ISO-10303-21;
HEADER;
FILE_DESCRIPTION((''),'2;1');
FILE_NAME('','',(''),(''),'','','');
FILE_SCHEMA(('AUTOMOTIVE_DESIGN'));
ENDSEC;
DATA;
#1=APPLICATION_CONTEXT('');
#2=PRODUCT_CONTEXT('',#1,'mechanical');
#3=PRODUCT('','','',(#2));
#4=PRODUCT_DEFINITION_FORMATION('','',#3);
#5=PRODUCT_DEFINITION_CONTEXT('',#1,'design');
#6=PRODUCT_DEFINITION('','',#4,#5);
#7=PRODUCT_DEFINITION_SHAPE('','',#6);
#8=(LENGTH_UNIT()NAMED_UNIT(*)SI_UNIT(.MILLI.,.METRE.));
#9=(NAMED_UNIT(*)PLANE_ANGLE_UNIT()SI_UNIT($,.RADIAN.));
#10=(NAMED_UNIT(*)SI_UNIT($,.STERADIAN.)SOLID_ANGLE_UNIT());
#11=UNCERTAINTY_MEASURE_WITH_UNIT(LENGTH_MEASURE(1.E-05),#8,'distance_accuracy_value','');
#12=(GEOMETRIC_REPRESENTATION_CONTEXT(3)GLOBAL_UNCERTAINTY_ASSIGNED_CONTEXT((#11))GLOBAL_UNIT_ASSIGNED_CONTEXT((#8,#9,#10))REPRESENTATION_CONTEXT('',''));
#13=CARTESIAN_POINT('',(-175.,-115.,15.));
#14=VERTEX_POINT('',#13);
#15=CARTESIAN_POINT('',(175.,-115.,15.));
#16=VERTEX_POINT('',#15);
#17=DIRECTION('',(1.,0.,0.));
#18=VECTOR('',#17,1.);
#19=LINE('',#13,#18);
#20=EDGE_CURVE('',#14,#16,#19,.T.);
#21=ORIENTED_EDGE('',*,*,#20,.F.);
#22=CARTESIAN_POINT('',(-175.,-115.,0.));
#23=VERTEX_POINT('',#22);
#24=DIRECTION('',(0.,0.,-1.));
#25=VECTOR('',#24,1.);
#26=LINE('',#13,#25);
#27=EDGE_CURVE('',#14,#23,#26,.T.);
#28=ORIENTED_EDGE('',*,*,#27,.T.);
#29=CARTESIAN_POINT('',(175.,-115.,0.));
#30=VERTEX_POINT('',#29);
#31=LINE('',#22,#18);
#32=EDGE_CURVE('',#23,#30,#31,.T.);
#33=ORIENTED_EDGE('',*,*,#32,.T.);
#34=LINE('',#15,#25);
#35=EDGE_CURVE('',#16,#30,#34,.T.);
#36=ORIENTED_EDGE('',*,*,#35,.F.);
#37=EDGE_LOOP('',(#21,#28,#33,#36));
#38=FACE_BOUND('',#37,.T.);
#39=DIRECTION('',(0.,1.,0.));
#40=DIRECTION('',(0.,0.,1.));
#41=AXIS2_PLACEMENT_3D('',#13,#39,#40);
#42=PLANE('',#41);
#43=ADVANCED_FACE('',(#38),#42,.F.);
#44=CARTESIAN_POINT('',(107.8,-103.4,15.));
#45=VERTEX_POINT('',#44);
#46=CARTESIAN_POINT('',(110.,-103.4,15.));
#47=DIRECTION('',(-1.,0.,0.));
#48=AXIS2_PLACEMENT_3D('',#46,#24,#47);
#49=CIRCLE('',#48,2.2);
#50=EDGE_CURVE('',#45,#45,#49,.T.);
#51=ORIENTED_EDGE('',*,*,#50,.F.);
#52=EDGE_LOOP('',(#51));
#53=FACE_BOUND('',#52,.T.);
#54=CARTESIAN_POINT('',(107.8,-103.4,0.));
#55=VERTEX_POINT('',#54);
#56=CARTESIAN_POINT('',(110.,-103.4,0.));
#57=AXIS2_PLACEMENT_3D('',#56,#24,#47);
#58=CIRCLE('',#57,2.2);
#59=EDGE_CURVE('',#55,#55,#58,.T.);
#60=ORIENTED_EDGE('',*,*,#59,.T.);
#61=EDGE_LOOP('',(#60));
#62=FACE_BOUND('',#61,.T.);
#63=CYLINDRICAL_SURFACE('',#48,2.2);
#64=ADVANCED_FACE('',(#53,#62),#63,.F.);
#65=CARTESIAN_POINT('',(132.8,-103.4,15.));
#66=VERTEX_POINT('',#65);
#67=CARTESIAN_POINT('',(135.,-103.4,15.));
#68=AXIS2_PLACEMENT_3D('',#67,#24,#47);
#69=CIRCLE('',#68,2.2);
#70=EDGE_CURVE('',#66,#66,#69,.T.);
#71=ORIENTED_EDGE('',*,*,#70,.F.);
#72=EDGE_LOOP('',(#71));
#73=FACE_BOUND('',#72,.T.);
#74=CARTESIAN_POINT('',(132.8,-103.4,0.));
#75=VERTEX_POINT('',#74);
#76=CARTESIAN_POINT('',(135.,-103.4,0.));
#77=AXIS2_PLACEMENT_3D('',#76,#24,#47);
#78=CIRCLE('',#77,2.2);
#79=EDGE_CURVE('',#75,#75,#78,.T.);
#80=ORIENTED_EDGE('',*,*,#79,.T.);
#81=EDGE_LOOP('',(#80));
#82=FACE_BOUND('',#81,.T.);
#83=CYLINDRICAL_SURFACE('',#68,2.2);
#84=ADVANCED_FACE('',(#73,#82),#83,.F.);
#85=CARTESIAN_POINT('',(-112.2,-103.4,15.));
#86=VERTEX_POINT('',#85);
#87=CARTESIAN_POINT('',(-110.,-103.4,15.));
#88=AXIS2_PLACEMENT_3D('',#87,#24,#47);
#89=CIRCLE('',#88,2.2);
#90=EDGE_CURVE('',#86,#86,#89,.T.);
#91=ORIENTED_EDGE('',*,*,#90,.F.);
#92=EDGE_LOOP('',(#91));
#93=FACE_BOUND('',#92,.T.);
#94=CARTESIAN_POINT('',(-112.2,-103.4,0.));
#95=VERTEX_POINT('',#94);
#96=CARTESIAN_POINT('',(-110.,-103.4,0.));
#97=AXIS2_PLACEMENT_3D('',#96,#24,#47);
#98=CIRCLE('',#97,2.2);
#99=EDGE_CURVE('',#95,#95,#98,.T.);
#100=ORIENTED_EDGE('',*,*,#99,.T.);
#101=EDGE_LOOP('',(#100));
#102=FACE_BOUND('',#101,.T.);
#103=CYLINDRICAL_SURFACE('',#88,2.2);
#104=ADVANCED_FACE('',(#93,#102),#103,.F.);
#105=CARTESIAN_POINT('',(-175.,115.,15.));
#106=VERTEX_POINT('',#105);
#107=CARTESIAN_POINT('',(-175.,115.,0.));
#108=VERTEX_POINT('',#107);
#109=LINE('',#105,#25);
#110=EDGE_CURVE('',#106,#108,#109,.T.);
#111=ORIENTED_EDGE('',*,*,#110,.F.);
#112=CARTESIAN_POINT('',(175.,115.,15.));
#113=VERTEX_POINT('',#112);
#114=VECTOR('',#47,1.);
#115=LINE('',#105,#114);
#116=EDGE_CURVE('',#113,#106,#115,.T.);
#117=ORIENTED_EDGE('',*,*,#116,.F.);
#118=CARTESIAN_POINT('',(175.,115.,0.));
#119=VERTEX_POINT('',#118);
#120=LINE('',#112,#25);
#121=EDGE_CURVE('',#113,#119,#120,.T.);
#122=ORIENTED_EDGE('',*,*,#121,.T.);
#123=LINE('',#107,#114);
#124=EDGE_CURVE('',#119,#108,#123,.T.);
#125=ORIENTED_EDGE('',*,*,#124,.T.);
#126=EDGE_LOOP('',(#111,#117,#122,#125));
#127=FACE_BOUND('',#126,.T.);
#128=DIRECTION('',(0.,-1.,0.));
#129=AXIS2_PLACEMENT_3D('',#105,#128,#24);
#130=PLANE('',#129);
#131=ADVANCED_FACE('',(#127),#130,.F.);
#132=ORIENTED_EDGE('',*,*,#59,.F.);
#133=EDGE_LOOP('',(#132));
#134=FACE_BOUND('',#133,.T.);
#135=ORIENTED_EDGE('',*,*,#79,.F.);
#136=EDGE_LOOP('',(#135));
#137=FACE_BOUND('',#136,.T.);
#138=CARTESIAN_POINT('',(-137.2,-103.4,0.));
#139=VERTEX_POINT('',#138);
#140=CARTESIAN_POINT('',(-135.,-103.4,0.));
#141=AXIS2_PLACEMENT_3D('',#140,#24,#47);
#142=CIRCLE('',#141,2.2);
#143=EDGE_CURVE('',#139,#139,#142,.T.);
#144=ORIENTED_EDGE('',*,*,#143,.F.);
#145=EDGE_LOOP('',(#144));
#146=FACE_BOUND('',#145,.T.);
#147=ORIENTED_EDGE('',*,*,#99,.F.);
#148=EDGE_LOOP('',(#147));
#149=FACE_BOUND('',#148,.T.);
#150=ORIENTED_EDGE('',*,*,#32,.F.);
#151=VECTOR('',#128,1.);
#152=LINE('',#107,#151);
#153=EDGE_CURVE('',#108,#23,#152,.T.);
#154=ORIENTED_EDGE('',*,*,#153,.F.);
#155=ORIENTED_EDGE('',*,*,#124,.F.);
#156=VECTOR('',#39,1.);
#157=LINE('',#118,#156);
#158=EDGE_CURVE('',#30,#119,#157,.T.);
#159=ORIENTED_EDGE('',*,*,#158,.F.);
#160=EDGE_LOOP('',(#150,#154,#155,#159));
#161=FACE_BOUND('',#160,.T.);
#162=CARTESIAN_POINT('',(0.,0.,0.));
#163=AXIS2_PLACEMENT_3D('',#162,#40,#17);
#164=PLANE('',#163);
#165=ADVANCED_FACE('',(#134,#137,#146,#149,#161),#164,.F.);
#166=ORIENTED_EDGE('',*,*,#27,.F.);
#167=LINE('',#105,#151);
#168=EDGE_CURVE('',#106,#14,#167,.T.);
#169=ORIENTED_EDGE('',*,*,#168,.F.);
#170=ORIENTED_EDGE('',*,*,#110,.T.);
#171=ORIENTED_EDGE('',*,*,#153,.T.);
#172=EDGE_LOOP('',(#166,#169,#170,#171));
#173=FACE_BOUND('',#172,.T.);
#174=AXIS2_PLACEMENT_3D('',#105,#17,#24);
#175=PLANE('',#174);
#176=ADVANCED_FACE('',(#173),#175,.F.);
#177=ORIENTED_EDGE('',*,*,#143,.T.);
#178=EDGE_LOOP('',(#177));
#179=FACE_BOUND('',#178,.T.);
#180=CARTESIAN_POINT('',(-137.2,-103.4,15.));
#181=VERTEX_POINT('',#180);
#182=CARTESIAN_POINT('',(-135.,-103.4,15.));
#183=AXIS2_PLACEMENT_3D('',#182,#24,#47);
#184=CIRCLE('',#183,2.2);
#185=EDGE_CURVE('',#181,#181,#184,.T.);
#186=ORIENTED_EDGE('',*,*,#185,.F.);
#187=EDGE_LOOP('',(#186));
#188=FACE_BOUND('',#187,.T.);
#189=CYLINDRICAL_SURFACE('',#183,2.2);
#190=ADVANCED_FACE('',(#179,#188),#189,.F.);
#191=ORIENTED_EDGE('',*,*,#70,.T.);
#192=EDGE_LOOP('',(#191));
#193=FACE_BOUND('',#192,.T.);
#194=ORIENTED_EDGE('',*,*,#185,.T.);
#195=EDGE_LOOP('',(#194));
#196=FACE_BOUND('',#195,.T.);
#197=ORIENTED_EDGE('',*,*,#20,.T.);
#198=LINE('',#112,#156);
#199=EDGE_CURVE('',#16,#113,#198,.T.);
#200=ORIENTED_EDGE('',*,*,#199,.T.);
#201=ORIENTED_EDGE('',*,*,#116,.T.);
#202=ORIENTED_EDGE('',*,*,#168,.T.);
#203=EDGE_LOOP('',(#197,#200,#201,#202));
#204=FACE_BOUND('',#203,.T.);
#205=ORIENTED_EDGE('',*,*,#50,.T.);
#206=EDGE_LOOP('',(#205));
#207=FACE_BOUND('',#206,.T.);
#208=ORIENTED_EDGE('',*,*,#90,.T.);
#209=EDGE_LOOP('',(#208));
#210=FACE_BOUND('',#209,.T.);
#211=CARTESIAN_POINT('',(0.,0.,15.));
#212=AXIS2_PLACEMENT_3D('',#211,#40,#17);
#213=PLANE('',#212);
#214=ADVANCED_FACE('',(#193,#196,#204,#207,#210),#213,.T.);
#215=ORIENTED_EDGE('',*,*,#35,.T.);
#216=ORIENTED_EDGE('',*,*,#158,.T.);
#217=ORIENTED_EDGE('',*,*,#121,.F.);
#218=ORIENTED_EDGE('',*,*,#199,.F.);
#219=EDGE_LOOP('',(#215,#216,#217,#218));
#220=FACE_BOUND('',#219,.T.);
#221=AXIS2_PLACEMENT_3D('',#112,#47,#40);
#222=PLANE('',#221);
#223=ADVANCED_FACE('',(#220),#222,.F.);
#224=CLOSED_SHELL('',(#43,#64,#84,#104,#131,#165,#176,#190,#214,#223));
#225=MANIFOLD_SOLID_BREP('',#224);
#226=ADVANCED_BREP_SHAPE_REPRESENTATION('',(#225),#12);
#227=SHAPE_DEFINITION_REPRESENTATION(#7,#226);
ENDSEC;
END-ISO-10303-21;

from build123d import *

# Parameters (mm, degrees)
SKETCH1_W           = 350
SKETCH1_H           = 230
BOSS_EXTRUDE1_DEPTH = 15
SKETCH2_R           = 2.2
CUT_EXTRUDE1_DEPTH  = 16


with BuildPart() as part:
    # Sketch1 → Boss-Extrude1 (new body)
    with BuildSketch(Plane.XY):
        Rectangle(SKETCH1_W, SKETCH1_H)
    extrude(amount=BOSS_EXTRUDE1_DEPTH)

    # Sketch2 → Cut-Extrude1 (cut, through all)
    with BuildSketch(Plane(origin=(0, 0, 0), x_dir=(-1, 0, 0), z_dir=(0, 0, -1))):
        with Locations((135, -103.4)):
            Circle(SKETCH2_R)
        with Locations((110, -103.4)):
            Circle(SKETCH2_R)
        with Locations((-135, -103.4)):
            Circle(SKETCH2_R)
        with Locations((-110, -103.4)):
            Circle(SKETCH2_R)
    extrude(amount=-CUT_EXTRUDE1_DEPTH, mode=Mode.SUBTRACT)


solid = part.part
